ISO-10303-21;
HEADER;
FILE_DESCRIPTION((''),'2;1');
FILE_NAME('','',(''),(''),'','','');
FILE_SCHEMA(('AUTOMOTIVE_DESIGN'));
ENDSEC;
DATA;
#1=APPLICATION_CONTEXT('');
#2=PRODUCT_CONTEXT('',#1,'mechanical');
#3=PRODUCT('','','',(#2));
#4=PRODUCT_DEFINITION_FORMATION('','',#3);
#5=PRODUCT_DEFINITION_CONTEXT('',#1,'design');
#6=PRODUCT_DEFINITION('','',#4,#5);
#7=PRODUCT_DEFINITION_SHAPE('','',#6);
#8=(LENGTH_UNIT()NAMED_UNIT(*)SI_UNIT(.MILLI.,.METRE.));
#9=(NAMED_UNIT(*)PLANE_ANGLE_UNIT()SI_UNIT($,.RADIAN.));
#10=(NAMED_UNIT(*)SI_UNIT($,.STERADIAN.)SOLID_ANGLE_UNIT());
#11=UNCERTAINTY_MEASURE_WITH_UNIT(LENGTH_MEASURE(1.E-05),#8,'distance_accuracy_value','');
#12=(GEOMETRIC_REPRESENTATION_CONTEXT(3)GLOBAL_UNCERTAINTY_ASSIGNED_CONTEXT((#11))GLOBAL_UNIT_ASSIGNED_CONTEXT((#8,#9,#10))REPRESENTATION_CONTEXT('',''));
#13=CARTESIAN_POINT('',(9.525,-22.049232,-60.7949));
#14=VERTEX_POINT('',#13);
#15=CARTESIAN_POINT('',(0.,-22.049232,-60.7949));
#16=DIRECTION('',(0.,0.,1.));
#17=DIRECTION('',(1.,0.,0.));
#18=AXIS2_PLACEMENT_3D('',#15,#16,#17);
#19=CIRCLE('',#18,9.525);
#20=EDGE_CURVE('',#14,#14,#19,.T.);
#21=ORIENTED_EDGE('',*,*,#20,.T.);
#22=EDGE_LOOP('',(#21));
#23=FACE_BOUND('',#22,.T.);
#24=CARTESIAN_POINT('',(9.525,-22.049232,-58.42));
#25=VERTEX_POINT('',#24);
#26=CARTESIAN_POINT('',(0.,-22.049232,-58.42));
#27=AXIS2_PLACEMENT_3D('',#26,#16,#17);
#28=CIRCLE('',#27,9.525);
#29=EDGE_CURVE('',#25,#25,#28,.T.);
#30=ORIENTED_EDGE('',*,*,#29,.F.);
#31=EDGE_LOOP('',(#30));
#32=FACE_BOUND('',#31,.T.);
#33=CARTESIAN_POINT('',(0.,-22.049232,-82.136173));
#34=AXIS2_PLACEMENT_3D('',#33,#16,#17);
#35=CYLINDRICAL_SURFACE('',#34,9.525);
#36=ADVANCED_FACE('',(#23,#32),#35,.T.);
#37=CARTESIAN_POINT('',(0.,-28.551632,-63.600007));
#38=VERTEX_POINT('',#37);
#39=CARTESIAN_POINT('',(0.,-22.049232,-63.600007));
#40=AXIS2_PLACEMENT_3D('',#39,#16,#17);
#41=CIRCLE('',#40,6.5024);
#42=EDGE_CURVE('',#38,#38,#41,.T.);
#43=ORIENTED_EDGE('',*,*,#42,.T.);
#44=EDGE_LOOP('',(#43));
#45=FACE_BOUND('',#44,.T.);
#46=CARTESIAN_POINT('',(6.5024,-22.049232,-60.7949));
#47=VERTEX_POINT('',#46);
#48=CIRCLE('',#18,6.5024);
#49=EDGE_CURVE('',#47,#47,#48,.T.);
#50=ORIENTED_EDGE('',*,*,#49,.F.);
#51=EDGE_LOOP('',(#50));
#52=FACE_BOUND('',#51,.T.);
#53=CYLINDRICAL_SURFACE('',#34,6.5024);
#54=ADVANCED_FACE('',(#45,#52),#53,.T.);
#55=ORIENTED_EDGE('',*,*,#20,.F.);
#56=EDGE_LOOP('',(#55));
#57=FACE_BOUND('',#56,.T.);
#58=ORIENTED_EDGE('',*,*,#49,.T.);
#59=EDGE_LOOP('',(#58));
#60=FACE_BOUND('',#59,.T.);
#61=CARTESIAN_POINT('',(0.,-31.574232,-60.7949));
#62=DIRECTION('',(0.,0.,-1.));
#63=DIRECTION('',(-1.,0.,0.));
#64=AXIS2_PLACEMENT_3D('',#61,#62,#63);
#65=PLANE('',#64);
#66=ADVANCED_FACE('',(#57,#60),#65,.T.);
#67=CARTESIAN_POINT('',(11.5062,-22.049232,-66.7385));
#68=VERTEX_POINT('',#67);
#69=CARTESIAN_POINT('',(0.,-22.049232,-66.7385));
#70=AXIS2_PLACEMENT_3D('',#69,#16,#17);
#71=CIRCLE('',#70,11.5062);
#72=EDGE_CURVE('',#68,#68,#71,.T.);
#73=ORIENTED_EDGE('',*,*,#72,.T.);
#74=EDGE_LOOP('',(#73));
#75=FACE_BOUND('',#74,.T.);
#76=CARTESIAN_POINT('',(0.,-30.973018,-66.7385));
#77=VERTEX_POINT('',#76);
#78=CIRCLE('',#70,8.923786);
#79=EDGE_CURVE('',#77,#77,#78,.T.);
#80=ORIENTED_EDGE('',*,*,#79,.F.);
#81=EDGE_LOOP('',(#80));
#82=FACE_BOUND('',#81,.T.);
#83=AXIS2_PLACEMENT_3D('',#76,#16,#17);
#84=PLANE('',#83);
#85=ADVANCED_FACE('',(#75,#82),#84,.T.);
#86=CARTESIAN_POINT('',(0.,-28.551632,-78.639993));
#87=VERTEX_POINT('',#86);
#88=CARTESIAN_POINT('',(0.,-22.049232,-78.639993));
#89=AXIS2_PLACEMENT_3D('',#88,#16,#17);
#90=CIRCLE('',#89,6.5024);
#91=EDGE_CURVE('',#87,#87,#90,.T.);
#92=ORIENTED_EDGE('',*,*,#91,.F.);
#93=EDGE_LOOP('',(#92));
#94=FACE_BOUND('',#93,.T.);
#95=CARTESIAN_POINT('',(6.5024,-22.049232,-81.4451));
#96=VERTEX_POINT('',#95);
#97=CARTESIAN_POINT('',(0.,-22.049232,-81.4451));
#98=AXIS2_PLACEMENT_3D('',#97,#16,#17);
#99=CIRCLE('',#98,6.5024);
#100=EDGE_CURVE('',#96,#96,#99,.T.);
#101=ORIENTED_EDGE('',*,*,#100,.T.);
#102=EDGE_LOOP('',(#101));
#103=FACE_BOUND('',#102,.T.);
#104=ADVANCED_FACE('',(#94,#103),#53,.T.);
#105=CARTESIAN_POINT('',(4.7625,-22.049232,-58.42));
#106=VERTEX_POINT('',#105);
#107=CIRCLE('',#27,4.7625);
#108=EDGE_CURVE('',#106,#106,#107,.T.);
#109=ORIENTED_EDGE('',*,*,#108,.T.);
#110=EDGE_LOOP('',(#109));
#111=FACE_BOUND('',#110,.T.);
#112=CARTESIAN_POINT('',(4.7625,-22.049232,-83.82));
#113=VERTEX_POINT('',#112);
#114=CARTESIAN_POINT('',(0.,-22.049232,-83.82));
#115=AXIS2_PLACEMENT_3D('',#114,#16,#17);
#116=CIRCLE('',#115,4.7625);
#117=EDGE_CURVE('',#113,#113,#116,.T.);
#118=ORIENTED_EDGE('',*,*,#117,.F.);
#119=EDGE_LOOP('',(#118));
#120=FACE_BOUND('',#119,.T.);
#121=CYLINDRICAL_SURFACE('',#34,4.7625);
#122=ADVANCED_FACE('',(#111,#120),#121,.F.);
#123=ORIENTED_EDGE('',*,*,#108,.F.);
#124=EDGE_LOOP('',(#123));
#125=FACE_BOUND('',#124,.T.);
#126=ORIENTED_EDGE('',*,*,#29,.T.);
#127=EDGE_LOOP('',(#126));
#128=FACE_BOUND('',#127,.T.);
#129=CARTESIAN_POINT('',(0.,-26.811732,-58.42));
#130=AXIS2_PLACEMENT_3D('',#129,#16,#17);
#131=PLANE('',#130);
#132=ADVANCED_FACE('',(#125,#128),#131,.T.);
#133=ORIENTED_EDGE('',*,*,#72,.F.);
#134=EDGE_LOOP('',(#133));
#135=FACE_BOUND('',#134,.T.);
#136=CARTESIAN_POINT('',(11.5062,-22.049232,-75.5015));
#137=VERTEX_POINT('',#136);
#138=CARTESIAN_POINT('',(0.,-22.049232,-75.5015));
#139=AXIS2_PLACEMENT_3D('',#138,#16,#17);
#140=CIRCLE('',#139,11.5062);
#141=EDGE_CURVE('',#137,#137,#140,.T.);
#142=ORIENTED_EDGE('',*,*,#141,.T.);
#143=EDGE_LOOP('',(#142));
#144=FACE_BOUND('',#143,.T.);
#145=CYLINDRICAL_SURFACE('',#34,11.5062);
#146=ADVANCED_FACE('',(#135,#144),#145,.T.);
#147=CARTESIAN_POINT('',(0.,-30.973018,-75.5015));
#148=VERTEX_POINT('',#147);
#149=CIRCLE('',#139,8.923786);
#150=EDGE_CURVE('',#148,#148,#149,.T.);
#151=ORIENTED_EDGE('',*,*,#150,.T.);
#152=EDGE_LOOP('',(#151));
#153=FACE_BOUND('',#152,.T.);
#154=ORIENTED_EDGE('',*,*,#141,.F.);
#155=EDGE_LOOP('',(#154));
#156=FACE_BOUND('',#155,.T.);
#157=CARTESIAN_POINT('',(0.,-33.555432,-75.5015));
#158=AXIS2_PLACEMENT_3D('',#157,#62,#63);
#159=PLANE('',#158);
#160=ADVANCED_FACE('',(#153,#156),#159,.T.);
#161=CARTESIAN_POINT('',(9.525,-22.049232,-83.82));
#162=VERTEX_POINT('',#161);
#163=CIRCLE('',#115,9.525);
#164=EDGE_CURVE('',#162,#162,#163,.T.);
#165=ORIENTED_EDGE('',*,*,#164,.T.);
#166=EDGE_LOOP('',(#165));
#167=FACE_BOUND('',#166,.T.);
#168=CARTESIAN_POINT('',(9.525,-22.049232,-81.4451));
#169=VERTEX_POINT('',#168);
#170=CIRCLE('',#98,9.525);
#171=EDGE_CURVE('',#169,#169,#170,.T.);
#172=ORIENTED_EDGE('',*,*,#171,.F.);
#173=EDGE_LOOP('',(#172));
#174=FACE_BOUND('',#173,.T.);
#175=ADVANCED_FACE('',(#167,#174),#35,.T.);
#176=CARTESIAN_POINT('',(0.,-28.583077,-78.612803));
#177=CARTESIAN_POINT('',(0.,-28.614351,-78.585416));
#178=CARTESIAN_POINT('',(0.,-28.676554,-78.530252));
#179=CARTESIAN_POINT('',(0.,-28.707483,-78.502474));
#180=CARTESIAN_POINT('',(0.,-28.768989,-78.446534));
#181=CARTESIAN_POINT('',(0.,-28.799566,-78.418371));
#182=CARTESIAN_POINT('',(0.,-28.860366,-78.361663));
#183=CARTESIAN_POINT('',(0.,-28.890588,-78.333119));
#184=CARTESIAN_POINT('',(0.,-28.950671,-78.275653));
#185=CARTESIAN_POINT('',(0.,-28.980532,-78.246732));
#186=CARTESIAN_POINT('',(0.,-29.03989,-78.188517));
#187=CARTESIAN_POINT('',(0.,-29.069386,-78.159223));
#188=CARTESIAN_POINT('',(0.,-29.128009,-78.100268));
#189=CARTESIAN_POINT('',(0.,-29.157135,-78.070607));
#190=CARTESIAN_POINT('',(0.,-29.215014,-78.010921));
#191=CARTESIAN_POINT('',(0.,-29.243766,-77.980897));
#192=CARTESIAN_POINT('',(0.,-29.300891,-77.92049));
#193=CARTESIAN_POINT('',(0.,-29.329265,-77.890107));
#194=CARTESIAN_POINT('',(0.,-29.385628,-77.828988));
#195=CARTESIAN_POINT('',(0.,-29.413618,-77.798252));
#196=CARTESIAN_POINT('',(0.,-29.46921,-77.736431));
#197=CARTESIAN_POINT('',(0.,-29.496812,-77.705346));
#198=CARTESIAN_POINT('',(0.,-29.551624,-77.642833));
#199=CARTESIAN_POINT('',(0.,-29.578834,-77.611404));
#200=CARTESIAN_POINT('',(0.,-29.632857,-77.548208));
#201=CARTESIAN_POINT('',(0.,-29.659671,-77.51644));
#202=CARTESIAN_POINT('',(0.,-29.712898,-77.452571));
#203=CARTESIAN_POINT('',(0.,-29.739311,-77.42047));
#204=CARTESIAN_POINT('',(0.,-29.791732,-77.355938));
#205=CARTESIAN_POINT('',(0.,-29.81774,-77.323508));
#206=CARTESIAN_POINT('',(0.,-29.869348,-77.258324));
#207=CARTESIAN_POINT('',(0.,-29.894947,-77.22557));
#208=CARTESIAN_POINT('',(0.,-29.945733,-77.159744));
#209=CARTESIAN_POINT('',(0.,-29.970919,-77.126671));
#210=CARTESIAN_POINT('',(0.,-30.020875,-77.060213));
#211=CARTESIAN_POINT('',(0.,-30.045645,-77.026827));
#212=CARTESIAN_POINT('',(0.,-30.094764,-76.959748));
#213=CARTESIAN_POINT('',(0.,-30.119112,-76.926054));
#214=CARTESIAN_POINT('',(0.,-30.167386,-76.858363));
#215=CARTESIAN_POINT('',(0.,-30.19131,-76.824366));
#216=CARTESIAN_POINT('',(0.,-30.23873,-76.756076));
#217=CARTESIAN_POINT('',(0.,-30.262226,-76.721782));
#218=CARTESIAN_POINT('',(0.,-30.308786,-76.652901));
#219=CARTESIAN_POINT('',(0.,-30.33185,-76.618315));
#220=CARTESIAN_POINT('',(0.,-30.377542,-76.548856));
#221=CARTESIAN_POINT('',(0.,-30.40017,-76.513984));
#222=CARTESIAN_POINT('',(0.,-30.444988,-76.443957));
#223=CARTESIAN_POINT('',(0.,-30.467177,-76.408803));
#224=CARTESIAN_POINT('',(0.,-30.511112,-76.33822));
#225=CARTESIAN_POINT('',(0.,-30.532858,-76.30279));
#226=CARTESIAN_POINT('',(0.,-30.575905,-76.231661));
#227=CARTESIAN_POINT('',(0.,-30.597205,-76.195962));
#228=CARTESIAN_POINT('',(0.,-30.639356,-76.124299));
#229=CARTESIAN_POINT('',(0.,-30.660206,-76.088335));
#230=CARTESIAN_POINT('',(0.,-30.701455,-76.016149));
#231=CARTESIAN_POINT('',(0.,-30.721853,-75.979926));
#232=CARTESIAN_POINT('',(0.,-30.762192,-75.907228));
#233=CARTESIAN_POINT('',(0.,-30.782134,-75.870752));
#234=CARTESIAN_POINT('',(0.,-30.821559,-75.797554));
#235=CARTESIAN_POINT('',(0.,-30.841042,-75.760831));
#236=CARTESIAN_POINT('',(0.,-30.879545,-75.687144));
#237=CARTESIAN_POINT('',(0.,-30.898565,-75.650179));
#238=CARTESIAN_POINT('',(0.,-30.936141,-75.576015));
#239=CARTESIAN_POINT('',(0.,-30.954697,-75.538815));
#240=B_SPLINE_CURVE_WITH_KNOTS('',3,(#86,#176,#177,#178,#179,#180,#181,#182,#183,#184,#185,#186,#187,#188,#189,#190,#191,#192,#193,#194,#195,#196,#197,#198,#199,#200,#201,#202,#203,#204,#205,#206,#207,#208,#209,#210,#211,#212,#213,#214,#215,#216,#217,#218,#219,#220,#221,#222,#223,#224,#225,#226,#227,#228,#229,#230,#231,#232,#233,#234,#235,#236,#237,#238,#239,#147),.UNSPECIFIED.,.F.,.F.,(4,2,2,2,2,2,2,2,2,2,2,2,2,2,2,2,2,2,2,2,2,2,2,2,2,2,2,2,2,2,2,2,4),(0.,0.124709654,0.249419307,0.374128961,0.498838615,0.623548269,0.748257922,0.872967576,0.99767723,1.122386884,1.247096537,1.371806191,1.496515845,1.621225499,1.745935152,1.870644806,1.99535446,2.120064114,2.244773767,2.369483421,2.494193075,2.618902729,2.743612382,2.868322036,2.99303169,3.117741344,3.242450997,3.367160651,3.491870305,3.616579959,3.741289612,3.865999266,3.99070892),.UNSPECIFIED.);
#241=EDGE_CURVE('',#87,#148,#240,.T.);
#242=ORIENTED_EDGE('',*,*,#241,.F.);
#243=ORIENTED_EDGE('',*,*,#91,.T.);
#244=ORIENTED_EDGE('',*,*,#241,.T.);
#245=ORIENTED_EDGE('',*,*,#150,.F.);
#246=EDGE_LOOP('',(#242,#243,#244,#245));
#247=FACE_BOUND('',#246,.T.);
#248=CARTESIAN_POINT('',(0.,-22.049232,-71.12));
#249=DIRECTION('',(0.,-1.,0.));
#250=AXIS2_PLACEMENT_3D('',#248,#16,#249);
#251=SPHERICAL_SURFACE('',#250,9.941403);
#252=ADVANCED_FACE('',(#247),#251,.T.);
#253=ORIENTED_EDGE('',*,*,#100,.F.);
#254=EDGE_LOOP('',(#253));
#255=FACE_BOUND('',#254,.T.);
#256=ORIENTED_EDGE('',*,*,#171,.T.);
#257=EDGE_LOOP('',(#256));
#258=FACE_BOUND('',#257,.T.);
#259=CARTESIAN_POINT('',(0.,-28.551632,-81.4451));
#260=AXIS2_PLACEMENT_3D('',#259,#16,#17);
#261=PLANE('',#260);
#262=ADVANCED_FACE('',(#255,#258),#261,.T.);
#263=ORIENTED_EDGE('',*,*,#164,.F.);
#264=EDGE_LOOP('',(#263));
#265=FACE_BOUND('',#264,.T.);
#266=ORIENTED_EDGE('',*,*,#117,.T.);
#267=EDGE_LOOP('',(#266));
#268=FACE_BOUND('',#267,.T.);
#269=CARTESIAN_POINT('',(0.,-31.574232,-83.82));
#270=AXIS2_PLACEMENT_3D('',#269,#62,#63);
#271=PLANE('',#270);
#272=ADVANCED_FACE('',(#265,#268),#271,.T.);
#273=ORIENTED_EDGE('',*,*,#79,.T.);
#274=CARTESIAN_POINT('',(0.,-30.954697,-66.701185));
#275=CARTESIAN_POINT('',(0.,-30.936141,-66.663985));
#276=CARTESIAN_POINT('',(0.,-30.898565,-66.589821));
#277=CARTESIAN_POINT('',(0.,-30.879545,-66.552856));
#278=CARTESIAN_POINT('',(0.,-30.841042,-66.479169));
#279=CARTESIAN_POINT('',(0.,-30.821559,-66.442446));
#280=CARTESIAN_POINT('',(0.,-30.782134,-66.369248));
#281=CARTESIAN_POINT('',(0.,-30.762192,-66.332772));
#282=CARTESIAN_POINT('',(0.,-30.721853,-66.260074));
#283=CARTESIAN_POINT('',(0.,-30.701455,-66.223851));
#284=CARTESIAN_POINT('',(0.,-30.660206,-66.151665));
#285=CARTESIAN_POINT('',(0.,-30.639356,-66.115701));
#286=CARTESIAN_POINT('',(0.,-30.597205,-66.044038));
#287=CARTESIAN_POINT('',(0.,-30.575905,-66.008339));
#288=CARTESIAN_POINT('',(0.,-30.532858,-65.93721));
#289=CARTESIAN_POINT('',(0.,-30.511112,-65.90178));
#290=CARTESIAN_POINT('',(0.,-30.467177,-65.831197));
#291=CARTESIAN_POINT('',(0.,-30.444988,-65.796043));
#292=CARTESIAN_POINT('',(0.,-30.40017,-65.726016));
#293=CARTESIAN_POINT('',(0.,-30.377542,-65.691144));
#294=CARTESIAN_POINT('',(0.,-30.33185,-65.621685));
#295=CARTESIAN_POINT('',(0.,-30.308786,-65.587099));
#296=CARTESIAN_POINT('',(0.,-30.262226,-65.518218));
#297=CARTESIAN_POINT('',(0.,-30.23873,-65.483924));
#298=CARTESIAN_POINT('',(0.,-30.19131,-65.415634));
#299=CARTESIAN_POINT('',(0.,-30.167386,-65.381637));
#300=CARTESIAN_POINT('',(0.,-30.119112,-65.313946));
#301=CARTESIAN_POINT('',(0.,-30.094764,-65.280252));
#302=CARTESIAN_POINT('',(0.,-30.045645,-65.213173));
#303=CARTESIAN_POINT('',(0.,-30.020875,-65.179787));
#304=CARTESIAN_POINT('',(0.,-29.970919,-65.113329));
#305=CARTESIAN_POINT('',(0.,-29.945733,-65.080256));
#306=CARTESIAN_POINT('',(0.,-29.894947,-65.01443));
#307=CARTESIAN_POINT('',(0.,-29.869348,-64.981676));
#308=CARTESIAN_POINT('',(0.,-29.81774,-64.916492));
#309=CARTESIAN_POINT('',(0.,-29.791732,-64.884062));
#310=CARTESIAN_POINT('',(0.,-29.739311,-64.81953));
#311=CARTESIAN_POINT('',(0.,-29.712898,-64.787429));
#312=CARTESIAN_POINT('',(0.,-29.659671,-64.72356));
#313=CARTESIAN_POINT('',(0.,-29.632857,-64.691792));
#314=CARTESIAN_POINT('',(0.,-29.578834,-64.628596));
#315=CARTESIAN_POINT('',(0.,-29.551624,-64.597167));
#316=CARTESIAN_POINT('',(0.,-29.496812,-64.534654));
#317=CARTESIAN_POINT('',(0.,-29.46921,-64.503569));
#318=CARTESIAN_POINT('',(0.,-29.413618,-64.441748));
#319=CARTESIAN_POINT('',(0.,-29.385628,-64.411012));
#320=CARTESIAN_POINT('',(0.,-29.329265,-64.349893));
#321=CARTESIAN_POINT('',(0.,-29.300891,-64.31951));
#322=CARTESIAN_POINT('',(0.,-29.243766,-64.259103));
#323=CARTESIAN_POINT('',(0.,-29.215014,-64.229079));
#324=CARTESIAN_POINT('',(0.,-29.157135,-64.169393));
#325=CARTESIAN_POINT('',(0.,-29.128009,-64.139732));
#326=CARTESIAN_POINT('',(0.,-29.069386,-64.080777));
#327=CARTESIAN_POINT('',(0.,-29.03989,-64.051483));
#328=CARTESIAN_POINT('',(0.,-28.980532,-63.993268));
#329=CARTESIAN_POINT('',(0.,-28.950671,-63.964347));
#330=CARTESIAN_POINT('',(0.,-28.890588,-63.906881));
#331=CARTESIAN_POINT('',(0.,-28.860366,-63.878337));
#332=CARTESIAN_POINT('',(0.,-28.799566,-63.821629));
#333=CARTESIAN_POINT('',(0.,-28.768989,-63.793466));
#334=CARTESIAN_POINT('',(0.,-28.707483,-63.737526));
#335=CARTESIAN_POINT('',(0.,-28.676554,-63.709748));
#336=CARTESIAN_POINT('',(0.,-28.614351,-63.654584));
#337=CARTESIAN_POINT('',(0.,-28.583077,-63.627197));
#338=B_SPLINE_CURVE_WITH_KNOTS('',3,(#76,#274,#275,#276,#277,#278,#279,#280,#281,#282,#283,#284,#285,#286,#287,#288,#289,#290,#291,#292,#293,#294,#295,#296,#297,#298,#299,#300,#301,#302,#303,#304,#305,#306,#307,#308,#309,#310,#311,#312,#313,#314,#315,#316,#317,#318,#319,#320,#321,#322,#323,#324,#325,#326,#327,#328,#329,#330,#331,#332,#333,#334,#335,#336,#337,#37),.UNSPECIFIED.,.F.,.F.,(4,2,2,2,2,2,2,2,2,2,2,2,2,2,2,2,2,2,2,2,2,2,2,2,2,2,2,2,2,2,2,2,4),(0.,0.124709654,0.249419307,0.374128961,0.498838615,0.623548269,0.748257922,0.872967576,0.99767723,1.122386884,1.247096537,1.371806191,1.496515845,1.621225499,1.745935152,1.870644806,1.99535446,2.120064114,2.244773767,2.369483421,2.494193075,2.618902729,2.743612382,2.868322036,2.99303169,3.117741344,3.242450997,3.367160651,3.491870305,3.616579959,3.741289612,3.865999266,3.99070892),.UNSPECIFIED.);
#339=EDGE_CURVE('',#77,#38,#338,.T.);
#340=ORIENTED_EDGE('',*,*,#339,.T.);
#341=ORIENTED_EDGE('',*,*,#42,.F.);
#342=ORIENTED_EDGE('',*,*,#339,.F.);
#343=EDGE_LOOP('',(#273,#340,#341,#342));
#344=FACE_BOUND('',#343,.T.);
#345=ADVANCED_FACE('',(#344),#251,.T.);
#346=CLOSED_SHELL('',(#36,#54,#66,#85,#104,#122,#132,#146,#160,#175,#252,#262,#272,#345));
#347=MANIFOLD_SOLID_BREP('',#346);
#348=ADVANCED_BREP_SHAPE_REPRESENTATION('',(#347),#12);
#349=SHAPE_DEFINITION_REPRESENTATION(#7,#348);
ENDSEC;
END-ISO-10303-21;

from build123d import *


with BuildPart() as part:
    # Sketch1 → Revolve1 (revolve)
    with BuildSketch(Plane(origin=(0, 0, 0), x_dir=(0, 0, -1), z_dir=(1, 0, 0)), mode=Mode.PRIVATE) as revolve1_sk:
        with BuildLine():
            Line((60.7949, -26.811732), (81.4451, -26.811732))
            Line((81.4451, -26.811732), (83.82, -26.811732))
            Line((83.82, -26.811732), (83.82, -31.574232))
            Line((83.82, -31.574232), (81.4451, -31.574232))
            Line((81.4451, -31.574232), (81.4451, -28.551632))
            Line((81.4451, -28.551632), (78.639993039, -28.551632))
            ThreePointArc((78.639993039, -28.551632), (77.1926569, -29.920339878), (75.5015, -30.973018125))
            Line((75.5015, -30.973018125), (75.5015, -33.555432))
            Line((75.5015, -33.555432), (66.7385, -33.555432))
            Line((66.7385, -33.555432), (66.7385, -30.973018125))
            ThreePointArc((66.7385, -30.973018125), (65.0473431, -29.920339878), (63.600006961, -28.551632))
            Line((63.600006961, -28.551632), (60.7949, -28.551632))
            Line((60.7949, -28.551632), (60.7949, -31.574232))
            Line((60.7949, -31.574232), (58.42, -31.574232))
            Line((58.42, -31.574232), (58.42, -26.811732))
            Line((58.42, -26.811732), (60.7949, -26.811732))
        make_face()
    revolve(revolve1_sk.sketch.rotate(Axis((0, -22.049232, -82.136173087), (0, 0, -1)), 270), axis=Axis((0, -22.049232, -82.136173087), (0, 0, -1)))


solid = part.part
